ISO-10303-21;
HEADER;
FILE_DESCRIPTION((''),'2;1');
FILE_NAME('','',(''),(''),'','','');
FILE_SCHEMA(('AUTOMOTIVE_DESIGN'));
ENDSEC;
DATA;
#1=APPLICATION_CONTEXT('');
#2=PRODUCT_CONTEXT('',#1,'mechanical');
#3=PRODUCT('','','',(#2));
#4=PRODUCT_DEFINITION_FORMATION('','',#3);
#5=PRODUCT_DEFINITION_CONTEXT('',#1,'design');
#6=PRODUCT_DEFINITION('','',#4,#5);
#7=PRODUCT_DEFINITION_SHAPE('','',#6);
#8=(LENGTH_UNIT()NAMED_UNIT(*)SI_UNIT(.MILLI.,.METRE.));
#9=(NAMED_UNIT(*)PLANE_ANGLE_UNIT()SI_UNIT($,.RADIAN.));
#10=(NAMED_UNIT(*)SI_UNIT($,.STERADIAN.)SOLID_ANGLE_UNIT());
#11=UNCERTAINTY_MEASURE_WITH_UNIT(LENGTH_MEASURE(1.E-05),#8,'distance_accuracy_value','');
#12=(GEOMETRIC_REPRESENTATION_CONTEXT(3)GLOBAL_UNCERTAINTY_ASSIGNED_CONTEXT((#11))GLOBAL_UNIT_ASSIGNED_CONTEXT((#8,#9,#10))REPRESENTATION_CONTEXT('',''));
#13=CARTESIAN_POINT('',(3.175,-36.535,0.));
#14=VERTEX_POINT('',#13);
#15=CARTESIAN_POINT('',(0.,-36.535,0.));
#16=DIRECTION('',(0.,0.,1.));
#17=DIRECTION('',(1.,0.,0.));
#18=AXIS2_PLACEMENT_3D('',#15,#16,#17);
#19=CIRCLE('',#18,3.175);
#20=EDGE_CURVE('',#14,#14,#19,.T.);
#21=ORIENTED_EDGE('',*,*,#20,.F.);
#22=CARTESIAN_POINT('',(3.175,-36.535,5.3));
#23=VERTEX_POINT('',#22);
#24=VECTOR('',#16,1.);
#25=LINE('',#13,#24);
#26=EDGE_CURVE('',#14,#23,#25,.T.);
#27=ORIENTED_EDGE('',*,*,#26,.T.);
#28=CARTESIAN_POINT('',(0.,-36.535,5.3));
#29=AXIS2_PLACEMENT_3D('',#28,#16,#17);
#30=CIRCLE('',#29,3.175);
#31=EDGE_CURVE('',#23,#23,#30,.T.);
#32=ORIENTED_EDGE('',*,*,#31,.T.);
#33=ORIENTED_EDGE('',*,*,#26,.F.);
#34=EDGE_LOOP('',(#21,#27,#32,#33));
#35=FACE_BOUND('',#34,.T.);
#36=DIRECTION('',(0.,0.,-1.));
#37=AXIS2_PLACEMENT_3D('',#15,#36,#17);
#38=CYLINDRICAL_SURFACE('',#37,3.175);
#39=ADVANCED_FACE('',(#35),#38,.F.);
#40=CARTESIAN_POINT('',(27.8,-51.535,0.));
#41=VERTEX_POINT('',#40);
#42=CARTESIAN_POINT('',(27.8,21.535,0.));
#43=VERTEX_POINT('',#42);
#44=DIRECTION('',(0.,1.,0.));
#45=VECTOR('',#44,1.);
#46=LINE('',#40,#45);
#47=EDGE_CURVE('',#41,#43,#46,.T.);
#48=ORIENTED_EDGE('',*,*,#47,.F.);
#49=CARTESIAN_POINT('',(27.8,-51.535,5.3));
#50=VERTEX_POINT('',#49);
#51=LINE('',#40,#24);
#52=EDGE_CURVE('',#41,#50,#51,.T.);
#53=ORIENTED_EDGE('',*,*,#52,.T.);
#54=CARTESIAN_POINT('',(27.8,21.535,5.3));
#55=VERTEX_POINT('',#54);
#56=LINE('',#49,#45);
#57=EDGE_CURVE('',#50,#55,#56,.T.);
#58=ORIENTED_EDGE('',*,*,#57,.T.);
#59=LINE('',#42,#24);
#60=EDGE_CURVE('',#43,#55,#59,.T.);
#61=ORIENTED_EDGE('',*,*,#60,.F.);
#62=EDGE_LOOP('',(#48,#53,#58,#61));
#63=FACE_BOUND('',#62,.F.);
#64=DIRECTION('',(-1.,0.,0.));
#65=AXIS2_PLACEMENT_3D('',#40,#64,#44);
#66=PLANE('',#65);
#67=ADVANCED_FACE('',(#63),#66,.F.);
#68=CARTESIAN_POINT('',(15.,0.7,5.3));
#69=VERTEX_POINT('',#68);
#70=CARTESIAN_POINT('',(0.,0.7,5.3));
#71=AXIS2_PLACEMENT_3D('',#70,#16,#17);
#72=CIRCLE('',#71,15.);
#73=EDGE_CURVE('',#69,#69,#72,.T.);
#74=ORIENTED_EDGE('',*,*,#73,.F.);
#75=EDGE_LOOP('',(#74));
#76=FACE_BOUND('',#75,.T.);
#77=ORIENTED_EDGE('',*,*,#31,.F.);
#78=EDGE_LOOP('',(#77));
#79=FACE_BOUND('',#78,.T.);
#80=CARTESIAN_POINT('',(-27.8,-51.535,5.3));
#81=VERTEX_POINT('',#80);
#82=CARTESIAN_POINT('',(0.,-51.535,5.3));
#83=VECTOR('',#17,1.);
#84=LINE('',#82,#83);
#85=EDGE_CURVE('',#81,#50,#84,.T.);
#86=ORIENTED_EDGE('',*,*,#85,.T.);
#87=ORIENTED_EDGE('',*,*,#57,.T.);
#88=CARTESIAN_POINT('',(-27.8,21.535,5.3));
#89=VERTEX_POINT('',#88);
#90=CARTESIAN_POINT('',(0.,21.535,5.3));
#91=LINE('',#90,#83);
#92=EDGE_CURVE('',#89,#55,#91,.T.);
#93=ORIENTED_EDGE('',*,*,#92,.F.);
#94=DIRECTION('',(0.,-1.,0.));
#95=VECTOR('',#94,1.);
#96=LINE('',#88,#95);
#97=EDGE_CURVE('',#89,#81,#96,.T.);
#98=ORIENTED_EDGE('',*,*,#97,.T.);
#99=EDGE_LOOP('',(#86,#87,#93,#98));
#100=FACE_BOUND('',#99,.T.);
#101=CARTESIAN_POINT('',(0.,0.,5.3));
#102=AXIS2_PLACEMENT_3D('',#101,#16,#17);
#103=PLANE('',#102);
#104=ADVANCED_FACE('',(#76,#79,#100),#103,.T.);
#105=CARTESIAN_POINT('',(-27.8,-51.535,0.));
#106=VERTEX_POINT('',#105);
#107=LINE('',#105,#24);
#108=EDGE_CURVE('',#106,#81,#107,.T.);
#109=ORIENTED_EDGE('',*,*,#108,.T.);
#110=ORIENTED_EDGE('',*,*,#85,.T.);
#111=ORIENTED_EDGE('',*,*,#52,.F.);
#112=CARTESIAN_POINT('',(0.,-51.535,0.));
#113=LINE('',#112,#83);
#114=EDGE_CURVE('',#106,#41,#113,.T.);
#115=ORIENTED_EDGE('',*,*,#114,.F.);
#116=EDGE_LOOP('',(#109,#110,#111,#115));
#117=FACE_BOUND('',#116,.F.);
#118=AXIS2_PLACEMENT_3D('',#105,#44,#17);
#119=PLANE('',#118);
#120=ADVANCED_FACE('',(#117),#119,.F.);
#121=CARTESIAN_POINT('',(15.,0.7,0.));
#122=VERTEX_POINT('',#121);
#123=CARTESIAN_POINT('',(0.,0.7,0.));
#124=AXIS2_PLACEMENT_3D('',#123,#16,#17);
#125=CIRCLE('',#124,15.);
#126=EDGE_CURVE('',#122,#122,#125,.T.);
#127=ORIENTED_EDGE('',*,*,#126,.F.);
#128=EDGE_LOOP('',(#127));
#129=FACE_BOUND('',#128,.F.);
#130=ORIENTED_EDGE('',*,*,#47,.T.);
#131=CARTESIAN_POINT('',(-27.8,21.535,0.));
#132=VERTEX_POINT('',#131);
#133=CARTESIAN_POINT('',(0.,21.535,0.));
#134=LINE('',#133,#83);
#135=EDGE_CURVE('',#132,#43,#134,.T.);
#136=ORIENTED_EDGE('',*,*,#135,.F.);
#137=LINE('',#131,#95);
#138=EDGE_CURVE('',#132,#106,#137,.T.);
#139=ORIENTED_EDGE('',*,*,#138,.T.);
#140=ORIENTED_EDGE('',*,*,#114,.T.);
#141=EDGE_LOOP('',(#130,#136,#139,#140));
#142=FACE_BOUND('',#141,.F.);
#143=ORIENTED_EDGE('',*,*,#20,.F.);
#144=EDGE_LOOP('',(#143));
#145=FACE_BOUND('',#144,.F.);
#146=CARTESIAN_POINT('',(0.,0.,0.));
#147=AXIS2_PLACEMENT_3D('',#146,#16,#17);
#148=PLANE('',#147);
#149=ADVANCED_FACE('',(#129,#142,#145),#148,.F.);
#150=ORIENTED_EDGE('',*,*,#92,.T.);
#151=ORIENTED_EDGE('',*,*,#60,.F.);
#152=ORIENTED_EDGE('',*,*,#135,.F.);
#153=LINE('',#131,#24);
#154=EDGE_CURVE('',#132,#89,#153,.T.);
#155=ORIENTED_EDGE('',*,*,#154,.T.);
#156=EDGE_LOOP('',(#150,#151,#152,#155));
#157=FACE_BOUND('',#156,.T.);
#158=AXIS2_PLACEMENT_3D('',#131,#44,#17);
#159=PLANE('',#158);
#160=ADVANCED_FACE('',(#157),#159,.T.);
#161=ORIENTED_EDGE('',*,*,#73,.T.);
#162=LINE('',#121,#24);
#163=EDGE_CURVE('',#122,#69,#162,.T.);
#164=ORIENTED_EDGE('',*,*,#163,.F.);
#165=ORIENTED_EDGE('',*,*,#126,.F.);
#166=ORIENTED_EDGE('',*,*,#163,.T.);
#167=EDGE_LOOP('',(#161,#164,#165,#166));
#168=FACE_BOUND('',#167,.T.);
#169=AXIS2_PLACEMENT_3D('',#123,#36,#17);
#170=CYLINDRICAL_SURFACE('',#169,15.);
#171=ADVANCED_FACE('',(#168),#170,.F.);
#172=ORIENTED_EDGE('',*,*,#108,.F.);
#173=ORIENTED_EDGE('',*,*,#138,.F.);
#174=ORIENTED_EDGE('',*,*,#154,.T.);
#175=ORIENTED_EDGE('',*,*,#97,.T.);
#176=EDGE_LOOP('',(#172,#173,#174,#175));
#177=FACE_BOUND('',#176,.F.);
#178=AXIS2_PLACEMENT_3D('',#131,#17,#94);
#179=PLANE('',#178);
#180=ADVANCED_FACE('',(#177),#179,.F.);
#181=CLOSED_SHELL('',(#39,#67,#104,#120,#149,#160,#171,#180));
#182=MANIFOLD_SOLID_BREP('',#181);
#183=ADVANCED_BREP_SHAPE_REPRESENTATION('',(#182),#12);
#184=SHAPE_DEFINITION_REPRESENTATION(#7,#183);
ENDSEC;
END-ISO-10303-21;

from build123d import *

# Parameters (mm, degrees)
F0_W     = 55.6
F0_H     = 43.07
F0_R     = 15
F0_H_2   = 30
F0_R_2   = 3.175
F1_DEPTH = 5.3


with BuildPart() as f1:
    # F0 (on Top) → F1 (new body)
    with BuildSketch(Plane.XY):
        Rectangle(F0_W, F0_H)
        with Locations((0, 0.7)):
            Circle(F0_R, mode=Mode.SUBTRACT)
        with Locations((0, -36.535)):
            Rectangle(F0_W, F0_H_2)
        with Locations((0, -36.535)):
            Circle(F0_R_2, mode=Mode.SUBTRACT)
    extrude(amount=F1_DEPTH)


solid = f1.part
